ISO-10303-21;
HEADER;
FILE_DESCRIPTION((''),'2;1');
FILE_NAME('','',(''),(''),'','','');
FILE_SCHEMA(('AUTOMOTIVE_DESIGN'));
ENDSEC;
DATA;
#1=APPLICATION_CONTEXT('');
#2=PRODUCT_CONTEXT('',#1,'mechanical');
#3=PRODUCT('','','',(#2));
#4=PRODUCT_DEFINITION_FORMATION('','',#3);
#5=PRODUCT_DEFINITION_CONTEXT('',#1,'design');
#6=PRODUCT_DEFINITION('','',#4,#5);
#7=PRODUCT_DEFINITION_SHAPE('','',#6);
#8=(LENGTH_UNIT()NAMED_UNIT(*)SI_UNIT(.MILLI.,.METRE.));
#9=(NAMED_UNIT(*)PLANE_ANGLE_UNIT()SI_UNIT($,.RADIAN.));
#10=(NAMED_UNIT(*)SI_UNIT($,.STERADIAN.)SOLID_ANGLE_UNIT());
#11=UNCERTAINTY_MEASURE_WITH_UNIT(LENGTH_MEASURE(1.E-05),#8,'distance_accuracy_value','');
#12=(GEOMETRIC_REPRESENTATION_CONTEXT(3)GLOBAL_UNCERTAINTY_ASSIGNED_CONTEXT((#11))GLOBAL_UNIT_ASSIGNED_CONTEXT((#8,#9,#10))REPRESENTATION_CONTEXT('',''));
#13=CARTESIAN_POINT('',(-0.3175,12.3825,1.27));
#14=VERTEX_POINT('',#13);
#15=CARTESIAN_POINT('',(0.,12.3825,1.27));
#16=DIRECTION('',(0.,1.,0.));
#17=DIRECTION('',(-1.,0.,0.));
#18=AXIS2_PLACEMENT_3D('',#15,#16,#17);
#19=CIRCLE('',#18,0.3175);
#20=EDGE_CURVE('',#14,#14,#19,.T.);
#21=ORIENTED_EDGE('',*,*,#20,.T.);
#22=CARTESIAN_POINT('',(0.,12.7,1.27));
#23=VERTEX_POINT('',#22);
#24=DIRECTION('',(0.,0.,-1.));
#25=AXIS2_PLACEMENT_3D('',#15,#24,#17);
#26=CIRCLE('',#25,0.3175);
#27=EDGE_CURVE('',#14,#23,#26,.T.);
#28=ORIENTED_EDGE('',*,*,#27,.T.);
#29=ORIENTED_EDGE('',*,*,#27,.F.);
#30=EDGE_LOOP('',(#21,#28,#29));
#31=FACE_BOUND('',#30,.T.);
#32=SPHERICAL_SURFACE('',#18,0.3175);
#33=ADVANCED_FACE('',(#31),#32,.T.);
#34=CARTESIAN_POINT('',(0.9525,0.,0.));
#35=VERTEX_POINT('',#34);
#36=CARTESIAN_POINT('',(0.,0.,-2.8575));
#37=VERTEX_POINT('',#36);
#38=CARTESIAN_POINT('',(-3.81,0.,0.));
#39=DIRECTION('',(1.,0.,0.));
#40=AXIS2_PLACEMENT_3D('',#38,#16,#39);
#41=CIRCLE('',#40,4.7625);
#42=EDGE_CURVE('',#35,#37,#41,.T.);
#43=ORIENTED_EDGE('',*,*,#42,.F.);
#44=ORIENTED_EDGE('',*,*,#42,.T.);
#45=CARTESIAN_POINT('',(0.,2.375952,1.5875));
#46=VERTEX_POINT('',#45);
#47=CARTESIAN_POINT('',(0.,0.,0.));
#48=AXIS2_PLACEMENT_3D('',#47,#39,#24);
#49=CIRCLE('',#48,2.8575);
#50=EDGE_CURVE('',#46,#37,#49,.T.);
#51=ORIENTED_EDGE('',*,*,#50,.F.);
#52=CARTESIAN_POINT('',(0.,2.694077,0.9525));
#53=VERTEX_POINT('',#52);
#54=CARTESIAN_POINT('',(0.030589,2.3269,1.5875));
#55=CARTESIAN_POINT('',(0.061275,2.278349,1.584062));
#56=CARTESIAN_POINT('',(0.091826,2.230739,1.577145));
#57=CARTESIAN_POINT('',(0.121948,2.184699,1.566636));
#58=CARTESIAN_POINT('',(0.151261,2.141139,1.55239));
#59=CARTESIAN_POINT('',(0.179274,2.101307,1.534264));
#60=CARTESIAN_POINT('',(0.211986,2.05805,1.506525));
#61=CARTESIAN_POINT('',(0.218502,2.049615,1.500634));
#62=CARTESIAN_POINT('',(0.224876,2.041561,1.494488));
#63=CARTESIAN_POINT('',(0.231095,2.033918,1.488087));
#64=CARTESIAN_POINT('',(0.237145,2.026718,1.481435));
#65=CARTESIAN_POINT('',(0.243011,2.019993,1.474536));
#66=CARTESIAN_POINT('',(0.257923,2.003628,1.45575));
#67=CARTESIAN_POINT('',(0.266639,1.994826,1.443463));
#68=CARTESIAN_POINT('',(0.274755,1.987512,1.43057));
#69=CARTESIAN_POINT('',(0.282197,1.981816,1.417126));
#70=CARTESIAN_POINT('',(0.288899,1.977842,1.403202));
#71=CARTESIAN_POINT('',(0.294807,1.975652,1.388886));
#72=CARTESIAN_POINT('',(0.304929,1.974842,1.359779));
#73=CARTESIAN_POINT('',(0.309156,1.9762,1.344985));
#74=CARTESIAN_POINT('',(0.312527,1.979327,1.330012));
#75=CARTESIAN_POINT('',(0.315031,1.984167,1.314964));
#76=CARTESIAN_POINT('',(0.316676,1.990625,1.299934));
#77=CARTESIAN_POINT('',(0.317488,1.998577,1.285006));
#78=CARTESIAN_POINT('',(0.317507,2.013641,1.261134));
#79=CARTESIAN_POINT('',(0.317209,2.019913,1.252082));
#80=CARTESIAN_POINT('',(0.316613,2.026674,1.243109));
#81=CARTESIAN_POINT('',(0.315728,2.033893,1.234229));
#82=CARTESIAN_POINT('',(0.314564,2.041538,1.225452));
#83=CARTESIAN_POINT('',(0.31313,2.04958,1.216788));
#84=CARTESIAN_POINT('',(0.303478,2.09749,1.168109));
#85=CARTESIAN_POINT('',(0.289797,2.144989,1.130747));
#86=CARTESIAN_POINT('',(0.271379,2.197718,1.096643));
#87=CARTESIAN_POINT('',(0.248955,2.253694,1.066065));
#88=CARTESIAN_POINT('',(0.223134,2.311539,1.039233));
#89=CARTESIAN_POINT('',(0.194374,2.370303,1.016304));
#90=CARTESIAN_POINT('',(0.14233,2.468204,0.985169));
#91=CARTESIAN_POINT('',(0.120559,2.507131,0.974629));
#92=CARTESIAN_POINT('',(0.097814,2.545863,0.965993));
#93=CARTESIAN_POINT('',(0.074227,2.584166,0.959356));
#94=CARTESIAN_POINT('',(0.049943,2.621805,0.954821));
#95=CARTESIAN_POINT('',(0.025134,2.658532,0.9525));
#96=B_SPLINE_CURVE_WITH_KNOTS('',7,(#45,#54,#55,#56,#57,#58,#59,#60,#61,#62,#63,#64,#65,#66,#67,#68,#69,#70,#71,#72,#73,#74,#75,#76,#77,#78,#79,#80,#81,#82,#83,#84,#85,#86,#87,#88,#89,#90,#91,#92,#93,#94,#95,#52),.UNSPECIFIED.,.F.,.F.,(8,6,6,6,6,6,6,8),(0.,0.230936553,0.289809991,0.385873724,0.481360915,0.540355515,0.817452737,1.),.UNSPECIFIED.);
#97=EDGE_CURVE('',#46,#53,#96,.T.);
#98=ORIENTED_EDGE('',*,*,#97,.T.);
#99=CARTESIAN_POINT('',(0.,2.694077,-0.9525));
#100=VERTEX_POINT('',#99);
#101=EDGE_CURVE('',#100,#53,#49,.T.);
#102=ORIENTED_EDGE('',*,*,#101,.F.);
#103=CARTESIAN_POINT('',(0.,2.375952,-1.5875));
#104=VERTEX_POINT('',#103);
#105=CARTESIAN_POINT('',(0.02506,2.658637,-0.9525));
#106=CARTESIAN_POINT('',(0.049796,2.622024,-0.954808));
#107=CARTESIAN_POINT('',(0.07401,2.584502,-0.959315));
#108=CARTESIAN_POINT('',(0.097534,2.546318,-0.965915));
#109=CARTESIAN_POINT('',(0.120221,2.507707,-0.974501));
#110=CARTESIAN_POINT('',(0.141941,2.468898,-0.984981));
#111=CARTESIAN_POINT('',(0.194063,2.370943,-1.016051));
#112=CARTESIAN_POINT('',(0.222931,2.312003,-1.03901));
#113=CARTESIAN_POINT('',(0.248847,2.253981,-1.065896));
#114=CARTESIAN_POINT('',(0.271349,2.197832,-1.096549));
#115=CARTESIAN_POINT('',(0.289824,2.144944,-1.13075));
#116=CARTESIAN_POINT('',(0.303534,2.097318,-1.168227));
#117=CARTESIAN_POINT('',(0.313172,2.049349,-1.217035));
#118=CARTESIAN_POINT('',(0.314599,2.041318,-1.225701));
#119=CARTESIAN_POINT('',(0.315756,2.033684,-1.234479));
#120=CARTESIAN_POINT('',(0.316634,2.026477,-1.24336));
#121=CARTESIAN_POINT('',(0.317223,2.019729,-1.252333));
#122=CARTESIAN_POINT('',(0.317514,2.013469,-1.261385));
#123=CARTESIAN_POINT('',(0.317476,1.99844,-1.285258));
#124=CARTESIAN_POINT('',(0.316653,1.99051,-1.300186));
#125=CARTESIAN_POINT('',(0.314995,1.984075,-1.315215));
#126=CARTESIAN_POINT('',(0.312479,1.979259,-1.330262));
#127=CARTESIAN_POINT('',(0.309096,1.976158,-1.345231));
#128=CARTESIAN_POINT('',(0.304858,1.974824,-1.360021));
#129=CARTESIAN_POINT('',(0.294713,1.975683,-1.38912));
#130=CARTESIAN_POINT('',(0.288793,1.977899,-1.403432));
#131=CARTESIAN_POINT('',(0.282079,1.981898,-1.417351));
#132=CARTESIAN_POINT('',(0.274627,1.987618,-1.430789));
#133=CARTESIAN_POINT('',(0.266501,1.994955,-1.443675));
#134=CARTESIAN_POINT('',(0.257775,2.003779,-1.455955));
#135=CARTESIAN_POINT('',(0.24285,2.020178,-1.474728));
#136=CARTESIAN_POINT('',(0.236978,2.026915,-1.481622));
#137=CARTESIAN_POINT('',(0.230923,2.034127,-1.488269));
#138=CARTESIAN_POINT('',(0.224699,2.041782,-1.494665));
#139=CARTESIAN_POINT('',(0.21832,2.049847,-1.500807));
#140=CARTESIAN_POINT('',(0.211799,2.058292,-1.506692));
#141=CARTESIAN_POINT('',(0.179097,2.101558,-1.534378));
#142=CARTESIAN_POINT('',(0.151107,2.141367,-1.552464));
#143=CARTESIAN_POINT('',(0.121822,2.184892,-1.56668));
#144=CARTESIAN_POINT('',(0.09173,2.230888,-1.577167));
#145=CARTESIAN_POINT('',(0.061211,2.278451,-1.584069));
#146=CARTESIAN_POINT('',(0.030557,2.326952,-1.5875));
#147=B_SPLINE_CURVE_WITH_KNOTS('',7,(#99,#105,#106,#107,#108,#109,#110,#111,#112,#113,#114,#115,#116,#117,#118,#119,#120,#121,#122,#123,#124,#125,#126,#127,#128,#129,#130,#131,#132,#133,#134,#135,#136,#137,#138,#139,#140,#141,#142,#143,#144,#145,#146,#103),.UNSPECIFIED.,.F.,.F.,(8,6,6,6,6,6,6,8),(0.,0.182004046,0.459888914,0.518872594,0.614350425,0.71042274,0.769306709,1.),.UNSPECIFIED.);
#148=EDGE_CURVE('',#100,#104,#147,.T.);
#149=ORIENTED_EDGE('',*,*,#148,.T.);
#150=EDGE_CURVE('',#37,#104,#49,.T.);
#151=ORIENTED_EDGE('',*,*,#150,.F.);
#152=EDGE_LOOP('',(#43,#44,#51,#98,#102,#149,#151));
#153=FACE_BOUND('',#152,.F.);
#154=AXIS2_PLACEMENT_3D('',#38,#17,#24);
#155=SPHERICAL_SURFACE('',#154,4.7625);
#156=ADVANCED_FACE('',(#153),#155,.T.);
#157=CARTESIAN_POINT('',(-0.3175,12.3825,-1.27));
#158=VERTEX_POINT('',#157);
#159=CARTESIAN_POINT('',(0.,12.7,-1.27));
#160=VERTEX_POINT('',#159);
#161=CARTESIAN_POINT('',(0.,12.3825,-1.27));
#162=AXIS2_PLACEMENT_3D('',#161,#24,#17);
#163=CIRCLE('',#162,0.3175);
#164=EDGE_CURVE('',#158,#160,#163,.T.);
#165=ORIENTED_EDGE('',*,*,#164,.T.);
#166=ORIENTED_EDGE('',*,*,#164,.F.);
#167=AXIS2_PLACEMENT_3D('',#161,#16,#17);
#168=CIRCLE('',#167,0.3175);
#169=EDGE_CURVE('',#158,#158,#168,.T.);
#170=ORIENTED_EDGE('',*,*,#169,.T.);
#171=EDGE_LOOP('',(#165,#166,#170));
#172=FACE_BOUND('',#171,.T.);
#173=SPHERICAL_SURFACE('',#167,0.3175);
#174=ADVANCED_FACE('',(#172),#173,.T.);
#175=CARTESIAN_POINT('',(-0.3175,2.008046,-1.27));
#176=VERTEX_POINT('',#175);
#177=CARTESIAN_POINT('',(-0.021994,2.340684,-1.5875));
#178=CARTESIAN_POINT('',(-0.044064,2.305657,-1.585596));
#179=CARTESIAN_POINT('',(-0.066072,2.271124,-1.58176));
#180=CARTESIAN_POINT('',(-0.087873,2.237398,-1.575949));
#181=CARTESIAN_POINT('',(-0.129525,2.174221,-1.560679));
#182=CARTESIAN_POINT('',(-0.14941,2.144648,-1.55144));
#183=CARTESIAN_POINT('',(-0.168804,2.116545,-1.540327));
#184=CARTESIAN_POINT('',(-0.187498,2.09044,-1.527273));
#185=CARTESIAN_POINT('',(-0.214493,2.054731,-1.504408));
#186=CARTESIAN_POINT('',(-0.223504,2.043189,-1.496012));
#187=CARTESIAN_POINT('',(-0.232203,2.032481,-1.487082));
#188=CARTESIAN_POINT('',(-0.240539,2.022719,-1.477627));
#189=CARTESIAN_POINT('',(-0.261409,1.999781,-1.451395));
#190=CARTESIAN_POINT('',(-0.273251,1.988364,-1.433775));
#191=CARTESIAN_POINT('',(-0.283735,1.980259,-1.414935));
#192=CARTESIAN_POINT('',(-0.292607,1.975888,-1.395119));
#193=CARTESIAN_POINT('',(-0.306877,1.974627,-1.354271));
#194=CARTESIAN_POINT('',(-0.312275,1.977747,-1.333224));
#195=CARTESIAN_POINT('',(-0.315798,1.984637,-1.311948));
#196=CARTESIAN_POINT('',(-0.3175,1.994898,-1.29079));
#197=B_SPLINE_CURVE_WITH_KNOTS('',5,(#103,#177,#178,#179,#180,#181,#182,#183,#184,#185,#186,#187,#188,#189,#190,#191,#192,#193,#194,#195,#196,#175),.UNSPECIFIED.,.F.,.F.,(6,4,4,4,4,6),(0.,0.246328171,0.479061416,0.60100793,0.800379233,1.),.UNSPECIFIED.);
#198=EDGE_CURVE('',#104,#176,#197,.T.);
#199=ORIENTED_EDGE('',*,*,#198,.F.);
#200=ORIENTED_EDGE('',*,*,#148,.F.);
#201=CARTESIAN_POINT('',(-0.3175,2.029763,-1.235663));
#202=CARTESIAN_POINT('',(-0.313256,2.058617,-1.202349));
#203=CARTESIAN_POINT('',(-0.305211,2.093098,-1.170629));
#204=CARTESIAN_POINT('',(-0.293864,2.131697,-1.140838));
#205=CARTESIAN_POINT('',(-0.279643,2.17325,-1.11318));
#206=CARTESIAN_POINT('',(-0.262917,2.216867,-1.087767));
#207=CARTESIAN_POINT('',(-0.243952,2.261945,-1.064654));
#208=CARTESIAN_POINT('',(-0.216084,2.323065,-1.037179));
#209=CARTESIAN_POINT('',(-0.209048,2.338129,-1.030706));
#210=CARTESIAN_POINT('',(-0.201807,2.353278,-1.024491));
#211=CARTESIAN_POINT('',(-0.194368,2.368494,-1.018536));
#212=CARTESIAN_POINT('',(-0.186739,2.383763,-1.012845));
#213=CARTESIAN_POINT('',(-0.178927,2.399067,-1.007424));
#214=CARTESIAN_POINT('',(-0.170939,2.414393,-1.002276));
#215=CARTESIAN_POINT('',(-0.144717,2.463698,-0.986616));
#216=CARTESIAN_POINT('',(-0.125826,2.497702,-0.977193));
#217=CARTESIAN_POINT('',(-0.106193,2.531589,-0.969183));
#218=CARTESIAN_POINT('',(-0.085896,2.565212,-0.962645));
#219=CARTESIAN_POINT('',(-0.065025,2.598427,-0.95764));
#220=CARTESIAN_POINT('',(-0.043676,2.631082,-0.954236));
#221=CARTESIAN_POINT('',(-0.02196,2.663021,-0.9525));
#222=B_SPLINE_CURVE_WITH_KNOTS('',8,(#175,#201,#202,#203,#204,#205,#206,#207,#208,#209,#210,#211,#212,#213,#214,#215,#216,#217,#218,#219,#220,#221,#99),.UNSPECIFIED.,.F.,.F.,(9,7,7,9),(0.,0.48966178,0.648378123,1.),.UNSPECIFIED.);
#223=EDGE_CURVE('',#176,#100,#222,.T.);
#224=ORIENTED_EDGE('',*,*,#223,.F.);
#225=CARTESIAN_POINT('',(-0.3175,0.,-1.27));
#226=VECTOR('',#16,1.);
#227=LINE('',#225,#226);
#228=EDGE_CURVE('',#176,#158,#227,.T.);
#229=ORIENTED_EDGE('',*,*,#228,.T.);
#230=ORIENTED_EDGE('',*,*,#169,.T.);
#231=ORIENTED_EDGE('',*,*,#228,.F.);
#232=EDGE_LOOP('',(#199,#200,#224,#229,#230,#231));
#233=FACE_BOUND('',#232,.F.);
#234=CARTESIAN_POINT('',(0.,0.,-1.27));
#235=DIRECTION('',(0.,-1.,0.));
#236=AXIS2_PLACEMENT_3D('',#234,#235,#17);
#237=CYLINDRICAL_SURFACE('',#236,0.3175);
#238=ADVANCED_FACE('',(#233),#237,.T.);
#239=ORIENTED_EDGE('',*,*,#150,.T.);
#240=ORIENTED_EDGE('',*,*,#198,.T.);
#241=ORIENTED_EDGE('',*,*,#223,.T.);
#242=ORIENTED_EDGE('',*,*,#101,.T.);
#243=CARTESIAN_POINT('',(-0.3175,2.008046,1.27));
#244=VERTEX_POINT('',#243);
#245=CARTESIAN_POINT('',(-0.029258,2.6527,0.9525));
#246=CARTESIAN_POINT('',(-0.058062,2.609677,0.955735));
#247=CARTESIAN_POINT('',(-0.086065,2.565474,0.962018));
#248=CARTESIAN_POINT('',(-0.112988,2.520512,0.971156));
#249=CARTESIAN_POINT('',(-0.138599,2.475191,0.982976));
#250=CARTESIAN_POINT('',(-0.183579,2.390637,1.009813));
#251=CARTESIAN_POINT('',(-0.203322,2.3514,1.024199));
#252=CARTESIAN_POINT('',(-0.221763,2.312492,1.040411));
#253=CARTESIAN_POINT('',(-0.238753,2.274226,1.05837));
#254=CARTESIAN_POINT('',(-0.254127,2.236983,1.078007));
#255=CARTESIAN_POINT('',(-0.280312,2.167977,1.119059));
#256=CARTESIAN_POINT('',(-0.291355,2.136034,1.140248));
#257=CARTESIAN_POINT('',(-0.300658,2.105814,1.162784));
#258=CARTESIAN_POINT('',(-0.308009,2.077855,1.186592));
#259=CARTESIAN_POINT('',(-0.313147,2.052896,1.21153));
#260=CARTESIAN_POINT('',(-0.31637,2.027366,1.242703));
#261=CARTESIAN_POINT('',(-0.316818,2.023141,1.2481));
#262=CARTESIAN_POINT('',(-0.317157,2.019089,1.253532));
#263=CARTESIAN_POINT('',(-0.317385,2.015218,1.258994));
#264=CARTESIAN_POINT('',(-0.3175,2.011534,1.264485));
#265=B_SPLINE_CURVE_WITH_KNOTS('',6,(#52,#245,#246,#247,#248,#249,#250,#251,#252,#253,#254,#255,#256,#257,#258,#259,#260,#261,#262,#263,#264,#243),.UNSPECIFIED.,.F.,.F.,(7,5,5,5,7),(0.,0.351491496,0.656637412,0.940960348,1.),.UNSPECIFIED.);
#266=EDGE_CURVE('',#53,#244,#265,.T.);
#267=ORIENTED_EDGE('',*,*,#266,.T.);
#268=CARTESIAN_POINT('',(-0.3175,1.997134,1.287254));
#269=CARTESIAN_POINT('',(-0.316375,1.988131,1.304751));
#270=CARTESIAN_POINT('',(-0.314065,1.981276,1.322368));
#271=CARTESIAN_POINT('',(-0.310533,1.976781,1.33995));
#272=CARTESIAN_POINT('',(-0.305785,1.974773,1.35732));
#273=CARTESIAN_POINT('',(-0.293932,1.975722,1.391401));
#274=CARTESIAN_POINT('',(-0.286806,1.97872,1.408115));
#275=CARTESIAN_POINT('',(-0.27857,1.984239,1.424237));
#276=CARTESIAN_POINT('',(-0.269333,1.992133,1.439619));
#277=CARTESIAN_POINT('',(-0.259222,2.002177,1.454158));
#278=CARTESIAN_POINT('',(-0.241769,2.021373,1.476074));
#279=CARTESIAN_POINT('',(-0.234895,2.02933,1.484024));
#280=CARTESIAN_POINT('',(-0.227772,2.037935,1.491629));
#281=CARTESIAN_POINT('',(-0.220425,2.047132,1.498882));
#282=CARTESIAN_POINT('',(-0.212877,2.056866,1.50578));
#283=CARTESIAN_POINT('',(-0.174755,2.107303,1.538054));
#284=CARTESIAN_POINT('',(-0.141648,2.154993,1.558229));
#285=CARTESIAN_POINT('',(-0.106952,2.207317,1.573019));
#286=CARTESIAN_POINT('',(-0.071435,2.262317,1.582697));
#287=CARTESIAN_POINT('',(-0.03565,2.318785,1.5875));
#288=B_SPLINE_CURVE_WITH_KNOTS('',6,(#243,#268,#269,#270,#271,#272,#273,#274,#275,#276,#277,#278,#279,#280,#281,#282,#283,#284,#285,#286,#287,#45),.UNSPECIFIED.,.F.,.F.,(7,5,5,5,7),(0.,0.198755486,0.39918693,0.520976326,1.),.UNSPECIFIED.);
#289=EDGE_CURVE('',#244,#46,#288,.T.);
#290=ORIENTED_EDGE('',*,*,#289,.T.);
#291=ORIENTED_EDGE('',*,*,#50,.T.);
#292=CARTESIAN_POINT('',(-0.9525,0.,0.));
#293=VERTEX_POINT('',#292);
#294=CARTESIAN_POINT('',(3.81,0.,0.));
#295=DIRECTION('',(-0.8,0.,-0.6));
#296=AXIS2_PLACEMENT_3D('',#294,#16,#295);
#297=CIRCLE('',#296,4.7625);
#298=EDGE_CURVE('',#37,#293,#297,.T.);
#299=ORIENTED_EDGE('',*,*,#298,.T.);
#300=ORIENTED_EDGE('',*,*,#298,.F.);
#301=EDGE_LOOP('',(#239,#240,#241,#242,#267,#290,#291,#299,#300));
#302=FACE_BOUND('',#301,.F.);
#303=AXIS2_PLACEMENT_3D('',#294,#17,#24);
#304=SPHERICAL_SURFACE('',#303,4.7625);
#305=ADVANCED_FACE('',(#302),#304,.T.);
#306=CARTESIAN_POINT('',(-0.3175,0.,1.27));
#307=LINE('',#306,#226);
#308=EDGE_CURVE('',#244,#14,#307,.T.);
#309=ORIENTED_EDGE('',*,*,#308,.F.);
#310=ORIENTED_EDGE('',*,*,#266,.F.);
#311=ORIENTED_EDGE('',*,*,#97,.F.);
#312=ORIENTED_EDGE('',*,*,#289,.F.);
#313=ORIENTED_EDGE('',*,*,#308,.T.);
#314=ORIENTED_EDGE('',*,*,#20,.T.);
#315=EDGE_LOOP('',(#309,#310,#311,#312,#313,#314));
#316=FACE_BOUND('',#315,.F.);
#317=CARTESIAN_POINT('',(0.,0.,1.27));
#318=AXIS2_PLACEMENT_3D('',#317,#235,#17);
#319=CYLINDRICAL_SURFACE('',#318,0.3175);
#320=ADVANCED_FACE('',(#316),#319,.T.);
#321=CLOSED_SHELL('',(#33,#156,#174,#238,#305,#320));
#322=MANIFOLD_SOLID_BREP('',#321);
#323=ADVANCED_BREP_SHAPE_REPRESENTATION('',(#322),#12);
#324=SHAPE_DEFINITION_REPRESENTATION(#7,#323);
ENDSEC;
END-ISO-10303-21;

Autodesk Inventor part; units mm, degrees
ref_plane "YZ Plane" through (0, 0, 0) normal (1, 0, 0) x (0, 1, 0)
ref_plane "XZ Plane" through (0, 0, 0) normal (0, 1, 0) x (-1, 0, 0)
ref_plane "XY Plane" through (0, 0, 0) normal (0, 0, 1) x (1, 0, 0)
sketch "Náčrt3" plane through (0, 0, 0) normal (0, 1, 0) x (-1, 0, 0)
  arc A0 (0, -2.8575) -> (0.9525, 0) centre (-3.81, 0) ccw
  arc A1 (-0.9525, 0) -> (0, -2.8575) centre (3.81, 0) ccw
  line L0 (0.9525, 0) -> (-0.9525, 0)
  point P0 (0, 0)
revolve "Rotace1" add sketch "Náčrt3" angle 360 about axis through (-0.9525, 0, 0) along (1, 0, 0)
sketch "Náčrt4" plane through (0, 0, 0) normal (0, 1, 0) x (-1, 0, 0)
  circle A0 centre (0, -1.27) radius 0.3175
  circle A1 centre (0, 1.27) radius 0.3175
  point P0 (0, 0)
  dimension "d6" = 0.635
  dimension "d7" = 0.635
  dimension "d8" = 2.54
  dimension "d9" = 1.27
extrude "Vysunutí2" add sketch "Náčrt4" along normal blind 12.7
fillet "Zaoblení1" radius 0.3175 2 edges at (0.3175, 12.7, 1.27) (0.3175, 12.7, -1.27)
properties part number "Ceramic-Capacitor"
